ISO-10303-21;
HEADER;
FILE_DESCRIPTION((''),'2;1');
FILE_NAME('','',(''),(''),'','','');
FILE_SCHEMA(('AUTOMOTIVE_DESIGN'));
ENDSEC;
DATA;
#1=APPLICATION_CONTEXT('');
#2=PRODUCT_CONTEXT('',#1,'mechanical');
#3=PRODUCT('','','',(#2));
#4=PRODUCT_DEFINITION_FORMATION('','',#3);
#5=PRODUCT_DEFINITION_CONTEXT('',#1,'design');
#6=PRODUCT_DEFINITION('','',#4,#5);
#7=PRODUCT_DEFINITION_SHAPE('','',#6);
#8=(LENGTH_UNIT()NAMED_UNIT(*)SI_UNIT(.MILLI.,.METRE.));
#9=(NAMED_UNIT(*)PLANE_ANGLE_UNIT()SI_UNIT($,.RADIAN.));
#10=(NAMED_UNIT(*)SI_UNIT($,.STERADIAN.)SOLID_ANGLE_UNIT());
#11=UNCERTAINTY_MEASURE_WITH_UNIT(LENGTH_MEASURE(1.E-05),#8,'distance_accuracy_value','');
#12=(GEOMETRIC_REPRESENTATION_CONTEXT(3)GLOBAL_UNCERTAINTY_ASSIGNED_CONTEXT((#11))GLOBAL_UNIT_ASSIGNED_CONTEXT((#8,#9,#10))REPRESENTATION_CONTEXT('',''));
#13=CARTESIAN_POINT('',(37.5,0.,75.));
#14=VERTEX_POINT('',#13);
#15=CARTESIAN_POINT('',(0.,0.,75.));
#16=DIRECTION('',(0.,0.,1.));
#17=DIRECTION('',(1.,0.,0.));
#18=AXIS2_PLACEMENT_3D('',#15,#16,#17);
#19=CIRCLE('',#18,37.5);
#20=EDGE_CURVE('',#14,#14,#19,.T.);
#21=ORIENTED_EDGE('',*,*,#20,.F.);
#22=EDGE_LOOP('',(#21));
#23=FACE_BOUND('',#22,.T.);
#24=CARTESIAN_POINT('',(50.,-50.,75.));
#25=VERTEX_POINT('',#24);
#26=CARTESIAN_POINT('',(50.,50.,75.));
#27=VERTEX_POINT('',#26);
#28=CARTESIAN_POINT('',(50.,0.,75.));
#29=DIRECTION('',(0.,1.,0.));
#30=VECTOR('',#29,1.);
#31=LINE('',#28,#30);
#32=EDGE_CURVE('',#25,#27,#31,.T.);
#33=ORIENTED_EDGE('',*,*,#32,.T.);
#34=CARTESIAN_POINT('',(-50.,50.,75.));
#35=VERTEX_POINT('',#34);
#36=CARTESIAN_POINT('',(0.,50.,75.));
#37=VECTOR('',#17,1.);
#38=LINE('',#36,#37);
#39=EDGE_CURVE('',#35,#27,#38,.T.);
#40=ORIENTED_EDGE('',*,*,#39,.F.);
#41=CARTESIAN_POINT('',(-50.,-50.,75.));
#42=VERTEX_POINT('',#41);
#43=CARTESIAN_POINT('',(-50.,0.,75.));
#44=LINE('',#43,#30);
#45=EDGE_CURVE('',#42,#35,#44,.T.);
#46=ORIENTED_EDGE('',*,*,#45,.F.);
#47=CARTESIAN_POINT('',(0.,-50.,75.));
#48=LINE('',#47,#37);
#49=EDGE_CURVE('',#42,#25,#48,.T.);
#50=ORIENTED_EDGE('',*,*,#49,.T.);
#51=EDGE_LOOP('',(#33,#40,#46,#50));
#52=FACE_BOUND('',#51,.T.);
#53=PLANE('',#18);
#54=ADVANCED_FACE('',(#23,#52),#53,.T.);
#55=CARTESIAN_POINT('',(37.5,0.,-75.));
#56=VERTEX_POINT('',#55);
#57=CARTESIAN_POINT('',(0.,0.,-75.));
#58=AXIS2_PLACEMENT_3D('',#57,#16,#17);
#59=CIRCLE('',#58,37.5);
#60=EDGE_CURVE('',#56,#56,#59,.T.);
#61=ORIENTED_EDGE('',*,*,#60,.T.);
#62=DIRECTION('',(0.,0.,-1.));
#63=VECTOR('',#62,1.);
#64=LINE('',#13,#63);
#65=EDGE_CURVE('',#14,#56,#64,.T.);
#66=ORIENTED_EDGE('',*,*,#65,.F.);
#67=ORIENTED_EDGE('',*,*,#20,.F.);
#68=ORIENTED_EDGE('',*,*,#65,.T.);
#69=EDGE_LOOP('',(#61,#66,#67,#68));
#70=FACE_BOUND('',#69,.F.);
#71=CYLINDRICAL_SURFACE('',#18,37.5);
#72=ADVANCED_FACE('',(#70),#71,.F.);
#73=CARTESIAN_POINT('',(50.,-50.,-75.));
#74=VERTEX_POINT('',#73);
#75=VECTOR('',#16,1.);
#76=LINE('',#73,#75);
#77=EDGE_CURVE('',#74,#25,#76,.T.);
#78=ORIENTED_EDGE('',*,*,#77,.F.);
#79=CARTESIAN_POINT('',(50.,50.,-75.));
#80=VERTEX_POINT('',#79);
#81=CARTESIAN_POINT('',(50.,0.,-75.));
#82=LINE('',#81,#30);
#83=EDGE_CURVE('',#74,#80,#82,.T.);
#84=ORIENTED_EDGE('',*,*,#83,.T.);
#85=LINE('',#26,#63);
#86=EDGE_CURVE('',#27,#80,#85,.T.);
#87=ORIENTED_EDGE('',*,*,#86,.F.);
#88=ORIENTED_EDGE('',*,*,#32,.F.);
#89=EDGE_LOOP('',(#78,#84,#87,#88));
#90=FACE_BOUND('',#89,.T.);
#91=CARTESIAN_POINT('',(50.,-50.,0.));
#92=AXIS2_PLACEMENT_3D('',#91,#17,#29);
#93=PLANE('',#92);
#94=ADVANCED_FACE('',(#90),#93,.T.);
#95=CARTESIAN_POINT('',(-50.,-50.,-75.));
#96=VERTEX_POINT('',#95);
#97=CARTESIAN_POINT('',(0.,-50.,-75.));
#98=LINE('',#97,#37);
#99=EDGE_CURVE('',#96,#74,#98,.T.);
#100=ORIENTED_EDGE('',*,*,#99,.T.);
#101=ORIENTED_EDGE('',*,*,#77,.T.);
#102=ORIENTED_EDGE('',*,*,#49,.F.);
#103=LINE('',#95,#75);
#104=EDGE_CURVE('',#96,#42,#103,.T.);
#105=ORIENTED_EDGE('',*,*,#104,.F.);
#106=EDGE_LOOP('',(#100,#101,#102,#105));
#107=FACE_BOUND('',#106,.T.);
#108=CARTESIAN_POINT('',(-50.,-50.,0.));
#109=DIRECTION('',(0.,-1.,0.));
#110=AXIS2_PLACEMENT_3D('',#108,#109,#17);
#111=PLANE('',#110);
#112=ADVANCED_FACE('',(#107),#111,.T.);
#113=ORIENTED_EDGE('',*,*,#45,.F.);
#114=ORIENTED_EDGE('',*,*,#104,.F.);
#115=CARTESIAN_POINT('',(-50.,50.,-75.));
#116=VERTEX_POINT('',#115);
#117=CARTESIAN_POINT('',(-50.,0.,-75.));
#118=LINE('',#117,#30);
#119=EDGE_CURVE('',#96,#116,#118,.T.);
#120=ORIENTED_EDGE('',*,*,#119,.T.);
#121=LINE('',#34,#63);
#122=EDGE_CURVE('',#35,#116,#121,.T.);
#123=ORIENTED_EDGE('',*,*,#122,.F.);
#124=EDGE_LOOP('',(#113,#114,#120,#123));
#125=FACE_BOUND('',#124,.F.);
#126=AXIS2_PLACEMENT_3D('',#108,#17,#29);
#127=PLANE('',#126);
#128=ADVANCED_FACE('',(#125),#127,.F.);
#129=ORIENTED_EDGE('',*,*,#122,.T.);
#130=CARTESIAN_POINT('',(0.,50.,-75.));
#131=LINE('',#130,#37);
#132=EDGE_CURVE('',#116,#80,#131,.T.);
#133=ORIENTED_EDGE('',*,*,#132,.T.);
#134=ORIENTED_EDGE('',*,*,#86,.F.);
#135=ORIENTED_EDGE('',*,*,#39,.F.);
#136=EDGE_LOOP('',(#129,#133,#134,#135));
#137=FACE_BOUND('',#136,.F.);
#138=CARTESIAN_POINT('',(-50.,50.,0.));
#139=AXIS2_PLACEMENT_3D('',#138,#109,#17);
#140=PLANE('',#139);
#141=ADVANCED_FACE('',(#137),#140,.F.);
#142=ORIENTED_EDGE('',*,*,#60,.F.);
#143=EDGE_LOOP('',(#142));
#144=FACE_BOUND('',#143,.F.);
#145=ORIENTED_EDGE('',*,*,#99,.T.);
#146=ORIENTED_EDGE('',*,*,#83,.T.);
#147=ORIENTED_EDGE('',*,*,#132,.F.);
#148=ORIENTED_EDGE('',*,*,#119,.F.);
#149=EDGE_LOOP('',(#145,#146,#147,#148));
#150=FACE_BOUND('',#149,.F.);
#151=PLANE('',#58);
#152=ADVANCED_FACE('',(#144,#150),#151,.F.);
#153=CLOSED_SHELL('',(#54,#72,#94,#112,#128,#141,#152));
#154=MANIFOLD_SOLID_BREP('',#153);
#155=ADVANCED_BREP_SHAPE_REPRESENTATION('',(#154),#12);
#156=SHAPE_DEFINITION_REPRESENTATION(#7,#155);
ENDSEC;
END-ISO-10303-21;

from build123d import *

# Parameters (mm, degrees)
F0_W     = 100
F0_H     = 100
F1_DEPTH = 75
F2_R     = 37.5
F3_DEPTH = 150.001


with BuildPart() as f1:
    # F0 (on Top) → F1 (new body, symmetric)
    with BuildSketch(Plane.XY):
        Rectangle(F0_W, F0_H)
    extrude(amount=F1_DEPTH, both=True)

    # F2 (on face) → F3 (cut, through all)
    with BuildSketch(Plane.XY.offset(75)):
        Circle(F2_R)
    extrude(amount=-F3_DEPTH, mode=Mode.SUBTRACT)


solid = f1.part
